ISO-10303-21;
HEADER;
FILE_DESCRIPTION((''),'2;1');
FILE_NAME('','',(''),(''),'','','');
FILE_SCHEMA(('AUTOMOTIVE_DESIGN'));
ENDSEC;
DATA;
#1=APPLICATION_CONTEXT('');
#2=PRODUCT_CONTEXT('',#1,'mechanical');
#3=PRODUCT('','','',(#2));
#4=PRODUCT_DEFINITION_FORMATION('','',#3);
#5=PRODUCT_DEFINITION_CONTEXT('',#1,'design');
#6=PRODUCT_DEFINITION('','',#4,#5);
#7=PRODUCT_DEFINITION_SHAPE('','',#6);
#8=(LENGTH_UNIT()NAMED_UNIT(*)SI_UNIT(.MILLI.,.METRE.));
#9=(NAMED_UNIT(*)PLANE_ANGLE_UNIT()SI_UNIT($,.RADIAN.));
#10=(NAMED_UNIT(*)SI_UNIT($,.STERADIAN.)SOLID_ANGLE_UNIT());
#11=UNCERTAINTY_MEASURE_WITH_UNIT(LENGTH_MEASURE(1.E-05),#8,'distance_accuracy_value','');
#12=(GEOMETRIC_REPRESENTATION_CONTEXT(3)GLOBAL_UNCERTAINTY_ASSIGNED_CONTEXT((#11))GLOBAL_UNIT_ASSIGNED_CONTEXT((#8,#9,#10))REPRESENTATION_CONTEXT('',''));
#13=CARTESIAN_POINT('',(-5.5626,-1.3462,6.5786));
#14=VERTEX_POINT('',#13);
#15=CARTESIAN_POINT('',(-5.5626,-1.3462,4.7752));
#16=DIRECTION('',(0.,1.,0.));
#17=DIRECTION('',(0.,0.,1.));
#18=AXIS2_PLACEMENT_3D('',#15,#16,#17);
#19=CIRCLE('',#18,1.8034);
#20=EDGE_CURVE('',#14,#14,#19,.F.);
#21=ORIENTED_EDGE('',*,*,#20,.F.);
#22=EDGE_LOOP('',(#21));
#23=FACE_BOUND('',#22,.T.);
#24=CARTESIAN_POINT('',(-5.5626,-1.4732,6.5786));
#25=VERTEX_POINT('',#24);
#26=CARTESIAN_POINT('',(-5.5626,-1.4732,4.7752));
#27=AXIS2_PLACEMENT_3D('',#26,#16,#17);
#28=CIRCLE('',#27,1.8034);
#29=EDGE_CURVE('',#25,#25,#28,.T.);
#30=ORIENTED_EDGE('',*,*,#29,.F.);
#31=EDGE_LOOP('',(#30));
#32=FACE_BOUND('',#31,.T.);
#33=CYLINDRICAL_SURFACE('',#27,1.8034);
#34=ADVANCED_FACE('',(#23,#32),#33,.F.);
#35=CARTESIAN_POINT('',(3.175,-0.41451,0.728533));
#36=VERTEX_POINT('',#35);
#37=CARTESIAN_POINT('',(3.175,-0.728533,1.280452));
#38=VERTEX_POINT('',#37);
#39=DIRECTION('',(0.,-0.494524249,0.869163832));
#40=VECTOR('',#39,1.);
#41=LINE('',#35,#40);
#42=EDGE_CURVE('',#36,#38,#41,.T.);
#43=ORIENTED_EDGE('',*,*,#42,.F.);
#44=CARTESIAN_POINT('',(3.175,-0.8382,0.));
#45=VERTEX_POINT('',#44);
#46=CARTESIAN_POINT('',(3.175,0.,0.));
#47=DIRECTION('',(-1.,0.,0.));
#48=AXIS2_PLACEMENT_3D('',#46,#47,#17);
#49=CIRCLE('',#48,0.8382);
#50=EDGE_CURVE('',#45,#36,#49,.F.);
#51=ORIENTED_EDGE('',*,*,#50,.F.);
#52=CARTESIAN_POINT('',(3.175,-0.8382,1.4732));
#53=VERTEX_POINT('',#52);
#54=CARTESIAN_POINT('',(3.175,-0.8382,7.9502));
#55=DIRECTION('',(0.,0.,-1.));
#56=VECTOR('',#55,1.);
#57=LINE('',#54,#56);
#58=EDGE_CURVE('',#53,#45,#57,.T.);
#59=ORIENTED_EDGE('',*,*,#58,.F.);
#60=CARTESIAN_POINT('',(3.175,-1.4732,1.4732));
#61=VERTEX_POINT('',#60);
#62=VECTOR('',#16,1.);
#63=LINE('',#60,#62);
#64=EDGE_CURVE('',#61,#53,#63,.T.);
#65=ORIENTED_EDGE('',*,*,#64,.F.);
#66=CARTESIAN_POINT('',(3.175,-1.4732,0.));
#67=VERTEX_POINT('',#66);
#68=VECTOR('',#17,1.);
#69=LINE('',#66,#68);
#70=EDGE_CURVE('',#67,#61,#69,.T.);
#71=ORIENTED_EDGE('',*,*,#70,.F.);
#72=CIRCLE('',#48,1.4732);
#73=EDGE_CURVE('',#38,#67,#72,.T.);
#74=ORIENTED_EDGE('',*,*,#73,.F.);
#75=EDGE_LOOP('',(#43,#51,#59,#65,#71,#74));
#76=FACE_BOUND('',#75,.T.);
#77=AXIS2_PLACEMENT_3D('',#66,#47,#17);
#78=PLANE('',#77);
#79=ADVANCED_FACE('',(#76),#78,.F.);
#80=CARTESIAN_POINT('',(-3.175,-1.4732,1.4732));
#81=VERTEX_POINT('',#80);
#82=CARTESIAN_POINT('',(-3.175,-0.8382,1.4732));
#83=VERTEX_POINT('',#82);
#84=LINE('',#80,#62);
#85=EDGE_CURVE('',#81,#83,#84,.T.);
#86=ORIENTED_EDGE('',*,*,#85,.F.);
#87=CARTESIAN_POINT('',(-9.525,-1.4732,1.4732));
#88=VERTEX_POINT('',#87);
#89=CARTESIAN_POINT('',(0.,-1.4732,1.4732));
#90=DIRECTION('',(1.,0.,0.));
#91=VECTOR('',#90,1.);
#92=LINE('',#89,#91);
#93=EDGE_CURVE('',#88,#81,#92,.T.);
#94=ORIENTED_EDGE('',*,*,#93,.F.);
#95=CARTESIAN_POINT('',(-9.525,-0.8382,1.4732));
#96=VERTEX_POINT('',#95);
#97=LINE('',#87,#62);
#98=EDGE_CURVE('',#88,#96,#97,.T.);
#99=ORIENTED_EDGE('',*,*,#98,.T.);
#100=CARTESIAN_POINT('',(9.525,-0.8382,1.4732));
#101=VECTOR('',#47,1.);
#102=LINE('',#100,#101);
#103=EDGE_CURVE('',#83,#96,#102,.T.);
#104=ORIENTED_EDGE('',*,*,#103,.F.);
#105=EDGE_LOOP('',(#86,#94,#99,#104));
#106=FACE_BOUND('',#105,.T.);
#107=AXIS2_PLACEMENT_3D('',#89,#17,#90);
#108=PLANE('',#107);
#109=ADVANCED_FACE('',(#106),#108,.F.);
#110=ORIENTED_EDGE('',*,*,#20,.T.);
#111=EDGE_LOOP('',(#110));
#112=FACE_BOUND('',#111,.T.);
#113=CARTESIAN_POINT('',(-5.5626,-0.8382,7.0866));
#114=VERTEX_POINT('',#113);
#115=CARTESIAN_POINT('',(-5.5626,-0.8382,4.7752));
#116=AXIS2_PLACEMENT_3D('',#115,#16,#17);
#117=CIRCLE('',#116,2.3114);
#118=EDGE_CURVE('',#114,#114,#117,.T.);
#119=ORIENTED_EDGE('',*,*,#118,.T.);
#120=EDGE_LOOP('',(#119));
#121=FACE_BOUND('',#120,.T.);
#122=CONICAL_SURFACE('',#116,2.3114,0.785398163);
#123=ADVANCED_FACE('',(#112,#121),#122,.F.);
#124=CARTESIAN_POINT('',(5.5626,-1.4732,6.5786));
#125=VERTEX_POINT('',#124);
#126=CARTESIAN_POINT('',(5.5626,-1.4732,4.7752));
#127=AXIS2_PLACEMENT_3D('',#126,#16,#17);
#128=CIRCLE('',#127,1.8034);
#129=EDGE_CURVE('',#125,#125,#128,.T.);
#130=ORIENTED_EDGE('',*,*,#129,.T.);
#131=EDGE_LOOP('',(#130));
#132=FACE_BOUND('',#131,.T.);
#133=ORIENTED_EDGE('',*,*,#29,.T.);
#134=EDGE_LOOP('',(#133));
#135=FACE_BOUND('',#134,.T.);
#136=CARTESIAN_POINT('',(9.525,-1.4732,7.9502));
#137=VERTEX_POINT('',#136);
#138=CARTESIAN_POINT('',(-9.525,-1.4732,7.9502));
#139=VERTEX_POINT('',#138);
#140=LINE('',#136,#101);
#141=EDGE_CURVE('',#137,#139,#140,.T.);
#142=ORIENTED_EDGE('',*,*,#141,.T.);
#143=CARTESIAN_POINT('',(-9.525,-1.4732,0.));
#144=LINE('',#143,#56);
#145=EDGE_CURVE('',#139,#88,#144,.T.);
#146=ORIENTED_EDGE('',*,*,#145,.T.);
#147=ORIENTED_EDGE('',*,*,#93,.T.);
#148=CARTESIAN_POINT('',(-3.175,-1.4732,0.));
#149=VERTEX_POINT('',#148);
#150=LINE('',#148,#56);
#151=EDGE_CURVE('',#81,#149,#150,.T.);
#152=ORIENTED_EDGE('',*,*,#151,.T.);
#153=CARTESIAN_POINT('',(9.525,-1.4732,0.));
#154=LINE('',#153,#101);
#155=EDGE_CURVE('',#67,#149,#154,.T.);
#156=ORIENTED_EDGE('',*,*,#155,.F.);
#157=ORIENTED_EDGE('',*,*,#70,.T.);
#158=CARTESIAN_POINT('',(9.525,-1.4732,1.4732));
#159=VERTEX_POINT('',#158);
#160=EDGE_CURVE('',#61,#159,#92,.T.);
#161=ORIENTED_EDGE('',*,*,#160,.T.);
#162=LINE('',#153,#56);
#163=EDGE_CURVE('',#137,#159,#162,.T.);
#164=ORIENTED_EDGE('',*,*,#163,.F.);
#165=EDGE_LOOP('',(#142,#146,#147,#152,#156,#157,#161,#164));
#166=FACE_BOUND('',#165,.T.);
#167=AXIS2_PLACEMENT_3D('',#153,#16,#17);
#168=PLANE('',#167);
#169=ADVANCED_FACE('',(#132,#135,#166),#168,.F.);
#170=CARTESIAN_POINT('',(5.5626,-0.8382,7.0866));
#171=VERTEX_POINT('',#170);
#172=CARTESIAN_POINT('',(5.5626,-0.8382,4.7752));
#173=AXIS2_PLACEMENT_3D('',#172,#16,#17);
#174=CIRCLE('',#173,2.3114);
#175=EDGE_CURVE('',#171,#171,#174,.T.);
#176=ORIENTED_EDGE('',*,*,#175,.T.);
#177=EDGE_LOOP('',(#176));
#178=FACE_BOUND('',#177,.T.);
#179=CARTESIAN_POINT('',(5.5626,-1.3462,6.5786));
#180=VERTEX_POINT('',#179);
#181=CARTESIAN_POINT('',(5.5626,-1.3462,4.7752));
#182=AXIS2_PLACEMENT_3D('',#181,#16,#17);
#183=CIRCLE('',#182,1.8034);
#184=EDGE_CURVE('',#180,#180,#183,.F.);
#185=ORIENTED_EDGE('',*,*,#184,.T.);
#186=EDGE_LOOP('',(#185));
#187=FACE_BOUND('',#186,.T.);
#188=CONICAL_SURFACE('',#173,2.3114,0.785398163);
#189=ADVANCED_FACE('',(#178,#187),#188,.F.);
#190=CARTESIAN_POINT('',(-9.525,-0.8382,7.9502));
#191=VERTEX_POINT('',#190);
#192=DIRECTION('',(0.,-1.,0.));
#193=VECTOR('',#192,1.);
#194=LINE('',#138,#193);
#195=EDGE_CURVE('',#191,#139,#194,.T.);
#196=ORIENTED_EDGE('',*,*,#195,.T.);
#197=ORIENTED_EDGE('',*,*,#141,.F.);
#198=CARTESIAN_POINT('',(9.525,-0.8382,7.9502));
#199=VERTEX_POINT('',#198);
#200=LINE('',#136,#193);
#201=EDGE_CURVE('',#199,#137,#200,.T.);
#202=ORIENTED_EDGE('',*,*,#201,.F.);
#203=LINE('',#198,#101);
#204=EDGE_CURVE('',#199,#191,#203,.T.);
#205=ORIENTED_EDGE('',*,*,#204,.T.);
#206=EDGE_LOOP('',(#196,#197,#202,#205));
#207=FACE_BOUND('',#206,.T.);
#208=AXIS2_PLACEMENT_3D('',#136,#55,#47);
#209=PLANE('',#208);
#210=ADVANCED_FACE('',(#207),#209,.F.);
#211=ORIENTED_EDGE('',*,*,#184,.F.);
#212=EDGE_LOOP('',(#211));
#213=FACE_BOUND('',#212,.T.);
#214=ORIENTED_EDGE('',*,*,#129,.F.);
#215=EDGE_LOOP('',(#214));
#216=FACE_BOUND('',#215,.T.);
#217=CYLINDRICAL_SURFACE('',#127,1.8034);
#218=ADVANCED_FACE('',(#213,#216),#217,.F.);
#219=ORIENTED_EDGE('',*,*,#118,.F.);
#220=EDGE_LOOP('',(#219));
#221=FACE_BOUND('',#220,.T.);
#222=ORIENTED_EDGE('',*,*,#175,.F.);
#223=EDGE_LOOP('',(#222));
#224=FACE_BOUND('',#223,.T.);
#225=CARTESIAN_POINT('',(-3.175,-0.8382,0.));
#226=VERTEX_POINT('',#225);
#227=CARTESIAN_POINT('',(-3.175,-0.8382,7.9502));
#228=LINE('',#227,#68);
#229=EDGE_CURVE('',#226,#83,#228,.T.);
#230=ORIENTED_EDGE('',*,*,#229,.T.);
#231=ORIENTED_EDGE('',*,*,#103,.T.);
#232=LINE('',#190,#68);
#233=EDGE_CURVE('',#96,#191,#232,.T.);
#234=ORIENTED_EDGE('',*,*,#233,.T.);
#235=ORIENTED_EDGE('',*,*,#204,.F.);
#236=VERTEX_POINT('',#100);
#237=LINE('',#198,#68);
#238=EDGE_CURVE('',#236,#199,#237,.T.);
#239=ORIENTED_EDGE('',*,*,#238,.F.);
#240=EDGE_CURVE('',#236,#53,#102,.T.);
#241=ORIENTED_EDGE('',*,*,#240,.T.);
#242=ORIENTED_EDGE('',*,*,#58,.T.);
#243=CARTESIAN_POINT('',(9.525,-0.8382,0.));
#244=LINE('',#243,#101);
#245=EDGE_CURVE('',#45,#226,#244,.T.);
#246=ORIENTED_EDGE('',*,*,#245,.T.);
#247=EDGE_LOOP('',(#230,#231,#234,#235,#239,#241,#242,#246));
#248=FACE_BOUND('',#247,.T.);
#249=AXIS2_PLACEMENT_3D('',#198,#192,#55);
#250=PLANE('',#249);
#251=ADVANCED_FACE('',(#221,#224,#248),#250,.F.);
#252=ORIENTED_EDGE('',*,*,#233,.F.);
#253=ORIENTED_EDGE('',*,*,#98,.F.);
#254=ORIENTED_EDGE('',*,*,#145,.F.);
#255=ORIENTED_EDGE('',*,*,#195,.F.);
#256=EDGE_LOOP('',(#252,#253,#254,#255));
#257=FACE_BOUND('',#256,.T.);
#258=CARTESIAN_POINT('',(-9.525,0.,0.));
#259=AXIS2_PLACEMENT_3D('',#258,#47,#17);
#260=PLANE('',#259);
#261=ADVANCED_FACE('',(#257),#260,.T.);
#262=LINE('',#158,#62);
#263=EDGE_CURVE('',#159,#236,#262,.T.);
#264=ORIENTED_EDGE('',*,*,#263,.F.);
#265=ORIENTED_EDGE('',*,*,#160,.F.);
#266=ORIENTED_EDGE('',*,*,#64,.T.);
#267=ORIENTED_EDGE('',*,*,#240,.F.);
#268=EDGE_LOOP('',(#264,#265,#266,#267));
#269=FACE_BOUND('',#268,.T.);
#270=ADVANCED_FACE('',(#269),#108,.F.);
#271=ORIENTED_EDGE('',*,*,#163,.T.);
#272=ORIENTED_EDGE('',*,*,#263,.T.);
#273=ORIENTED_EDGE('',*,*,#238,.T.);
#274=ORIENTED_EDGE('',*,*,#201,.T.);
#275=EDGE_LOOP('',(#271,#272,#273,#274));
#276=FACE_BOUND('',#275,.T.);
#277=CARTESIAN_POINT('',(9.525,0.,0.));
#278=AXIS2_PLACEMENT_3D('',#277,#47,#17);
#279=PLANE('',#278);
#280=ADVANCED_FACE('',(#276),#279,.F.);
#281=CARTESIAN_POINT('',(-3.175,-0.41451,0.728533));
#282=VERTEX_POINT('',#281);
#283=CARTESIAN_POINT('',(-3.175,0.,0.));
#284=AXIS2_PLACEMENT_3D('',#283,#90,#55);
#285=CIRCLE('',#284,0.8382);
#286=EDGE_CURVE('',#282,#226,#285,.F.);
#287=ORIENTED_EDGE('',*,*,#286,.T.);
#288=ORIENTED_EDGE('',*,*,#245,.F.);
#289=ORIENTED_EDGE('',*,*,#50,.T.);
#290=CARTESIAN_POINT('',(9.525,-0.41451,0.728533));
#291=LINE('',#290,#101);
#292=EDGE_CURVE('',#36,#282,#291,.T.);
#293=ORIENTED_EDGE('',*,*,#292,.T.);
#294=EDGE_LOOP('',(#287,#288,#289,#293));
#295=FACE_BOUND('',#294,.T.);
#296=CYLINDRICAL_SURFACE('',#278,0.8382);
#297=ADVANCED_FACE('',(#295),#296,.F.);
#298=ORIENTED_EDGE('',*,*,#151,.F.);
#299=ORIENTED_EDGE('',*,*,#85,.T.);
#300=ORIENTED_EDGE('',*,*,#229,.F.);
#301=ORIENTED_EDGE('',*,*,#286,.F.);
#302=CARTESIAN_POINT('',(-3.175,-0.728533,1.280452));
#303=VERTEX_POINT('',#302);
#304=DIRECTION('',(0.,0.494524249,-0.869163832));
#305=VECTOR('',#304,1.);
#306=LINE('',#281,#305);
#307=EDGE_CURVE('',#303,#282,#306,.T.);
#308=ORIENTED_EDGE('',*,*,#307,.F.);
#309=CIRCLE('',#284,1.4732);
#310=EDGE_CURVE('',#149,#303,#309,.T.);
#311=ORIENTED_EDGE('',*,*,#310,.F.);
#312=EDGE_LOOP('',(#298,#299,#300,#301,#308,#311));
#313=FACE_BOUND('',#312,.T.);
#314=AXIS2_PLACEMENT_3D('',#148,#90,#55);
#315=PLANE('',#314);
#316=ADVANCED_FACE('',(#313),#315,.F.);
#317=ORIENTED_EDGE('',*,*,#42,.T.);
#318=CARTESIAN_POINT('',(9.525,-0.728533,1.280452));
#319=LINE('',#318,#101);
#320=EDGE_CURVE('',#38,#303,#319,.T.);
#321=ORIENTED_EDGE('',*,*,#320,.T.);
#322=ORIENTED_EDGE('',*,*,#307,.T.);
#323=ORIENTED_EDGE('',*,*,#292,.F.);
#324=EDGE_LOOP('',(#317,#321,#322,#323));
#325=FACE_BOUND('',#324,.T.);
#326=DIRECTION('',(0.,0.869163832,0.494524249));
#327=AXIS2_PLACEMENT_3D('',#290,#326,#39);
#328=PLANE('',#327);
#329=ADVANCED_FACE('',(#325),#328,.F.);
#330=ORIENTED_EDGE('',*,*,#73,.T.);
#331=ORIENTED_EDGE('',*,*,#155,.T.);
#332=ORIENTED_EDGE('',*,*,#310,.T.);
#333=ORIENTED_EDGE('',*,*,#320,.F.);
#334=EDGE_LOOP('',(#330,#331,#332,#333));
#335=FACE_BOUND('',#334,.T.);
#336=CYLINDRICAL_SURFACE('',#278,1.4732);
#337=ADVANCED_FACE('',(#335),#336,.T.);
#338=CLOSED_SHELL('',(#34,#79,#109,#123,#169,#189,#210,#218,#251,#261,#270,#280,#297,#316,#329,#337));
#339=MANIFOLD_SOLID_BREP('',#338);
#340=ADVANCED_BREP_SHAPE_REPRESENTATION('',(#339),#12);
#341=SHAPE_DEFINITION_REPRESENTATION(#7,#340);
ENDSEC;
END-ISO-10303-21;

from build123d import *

# Parameters (mm, degrees)
BOSS_EXTRUDE1_DEPTH     = 9.525
CUT_EXTRUDE1_DEPTH      = 13.494063522
CUT_EXTRUDE1_DEPTH_BACK = 13.494063522
SKETCH4_W               = 6.35
SKETCH4_H               = 2.9464
CUT_EXTRUDE3_DEPTH      = 13.494063522
CUT_EXTRUDE3_DEPTH_BACK = 13.494063522
SKETCH9_R               = 1.8034


with BuildPart() as part:
    # Sketch3 → Boss-Extrude1 (new, symmetric)
    with BuildSketch(Plane(origin=(0, 0, 0), x_dir=(0, 0, -1), z_dir=(1, 0, 0))):
        with BuildLine():
            Line((0, -1.4732), (-7.9502, -1.4732))
            Line((-7.9502, -1.4732), (-7.9502, -0.8382))
            Line((-7.9502, -0.8382), (0, -0.8382))
            ThreePointArc((0, -0.8382), (0.421388638, 0.724576328), (-0.728533124, -0.414510226))
            Line((-0.728533124, -0.414510226), (-1.280452157, -0.728533124))
            ThreePointArc((-1.280452157, -0.728533124), (0.740622455, 1.273497789), (0, -1.4732))
        make_face()
    extrude(amount=BOSS_EXTRUDE1_DEPTH, both=True)

    # Sketch4 → Cut-Extrude1 (cut, two sides: drawn at the far end of the back side and taken through both)
    with BuildSketch(Plane(origin=(0, 0, 0), x_dir=(1, 0, 0), z_dir=(0, 1, 0)).offset(-CUT_EXTRUDE1_DEPTH_BACK)):
        with Locations((-6.35, 0)):
            Rectangle(SKETCH4_W, SKETCH4_H)
        with Locations((6.35, 0)):
            Rectangle(SKETCH4_W, SKETCH4_H)
    extrude(amount=CUT_EXTRUDE1_DEPTH + CUT_EXTRUDE1_DEPTH_BACK, mode=Mode.SUBTRACT)

    # Cut-Extrude2 cone 1 section (through the dimple's axis) → Cut-Extrude2 (revolve, cut)
    with BuildSketch(Plane(origin=(5.5626, -0.8382, 4.7752), x_dir=(0, 0, 1), z_dir=(1, 0, 0))):
        Polygon((0, 0), (2.3114, 0), (0, 2.3114), align=None)
    revolve(axis=Axis((5.5626, -0.8382, 4.7752), (0, -1, 0)), mode=Mode.SUBTRACT)

    # Cut-Extrude2 cone 2 section (through the dimple's axis) → Cut-Extrude2 cone 2 (revolve, cut)
    with BuildSketch(Plane(origin=(-5.5626, -0.8382, 4.7752), x_dir=(0, 0, 1), z_dir=(1, 0, 0))):
        Polygon((0, 0), (2.3114, 0), (0, 2.3114), align=None)
    revolve(axis=Axis((-5.5626, -0.8382, 4.7752), (0, -1, 0)), mode=Mode.SUBTRACT)

    # Sketch9 → Cut-Extrude3 (cut, two sides: drawn at the far end of the back side and taken through both)
    with BuildSketch(Plane(origin=(0, 0, 0), x_dir=(1, 0, 0), z_dir=(0, 1, 0)).offset(-CUT_EXTRUDE3_DEPTH_BACK)):
        with Locations(Location((5.5626, -4.7752, 0), (0, 0, 270))):
            Circle(SKETCH9_R)
        with Locations(Location((-5.5626, -4.7752, 0), (0, 0, 270))):
            Circle(SKETCH9_R)
    extrude(amount=CUT_EXTRUDE3_DEPTH + CUT_EXTRUDE3_DEPTH_BACK, mode=Mode.SUBTRACT)


solid = part.part
